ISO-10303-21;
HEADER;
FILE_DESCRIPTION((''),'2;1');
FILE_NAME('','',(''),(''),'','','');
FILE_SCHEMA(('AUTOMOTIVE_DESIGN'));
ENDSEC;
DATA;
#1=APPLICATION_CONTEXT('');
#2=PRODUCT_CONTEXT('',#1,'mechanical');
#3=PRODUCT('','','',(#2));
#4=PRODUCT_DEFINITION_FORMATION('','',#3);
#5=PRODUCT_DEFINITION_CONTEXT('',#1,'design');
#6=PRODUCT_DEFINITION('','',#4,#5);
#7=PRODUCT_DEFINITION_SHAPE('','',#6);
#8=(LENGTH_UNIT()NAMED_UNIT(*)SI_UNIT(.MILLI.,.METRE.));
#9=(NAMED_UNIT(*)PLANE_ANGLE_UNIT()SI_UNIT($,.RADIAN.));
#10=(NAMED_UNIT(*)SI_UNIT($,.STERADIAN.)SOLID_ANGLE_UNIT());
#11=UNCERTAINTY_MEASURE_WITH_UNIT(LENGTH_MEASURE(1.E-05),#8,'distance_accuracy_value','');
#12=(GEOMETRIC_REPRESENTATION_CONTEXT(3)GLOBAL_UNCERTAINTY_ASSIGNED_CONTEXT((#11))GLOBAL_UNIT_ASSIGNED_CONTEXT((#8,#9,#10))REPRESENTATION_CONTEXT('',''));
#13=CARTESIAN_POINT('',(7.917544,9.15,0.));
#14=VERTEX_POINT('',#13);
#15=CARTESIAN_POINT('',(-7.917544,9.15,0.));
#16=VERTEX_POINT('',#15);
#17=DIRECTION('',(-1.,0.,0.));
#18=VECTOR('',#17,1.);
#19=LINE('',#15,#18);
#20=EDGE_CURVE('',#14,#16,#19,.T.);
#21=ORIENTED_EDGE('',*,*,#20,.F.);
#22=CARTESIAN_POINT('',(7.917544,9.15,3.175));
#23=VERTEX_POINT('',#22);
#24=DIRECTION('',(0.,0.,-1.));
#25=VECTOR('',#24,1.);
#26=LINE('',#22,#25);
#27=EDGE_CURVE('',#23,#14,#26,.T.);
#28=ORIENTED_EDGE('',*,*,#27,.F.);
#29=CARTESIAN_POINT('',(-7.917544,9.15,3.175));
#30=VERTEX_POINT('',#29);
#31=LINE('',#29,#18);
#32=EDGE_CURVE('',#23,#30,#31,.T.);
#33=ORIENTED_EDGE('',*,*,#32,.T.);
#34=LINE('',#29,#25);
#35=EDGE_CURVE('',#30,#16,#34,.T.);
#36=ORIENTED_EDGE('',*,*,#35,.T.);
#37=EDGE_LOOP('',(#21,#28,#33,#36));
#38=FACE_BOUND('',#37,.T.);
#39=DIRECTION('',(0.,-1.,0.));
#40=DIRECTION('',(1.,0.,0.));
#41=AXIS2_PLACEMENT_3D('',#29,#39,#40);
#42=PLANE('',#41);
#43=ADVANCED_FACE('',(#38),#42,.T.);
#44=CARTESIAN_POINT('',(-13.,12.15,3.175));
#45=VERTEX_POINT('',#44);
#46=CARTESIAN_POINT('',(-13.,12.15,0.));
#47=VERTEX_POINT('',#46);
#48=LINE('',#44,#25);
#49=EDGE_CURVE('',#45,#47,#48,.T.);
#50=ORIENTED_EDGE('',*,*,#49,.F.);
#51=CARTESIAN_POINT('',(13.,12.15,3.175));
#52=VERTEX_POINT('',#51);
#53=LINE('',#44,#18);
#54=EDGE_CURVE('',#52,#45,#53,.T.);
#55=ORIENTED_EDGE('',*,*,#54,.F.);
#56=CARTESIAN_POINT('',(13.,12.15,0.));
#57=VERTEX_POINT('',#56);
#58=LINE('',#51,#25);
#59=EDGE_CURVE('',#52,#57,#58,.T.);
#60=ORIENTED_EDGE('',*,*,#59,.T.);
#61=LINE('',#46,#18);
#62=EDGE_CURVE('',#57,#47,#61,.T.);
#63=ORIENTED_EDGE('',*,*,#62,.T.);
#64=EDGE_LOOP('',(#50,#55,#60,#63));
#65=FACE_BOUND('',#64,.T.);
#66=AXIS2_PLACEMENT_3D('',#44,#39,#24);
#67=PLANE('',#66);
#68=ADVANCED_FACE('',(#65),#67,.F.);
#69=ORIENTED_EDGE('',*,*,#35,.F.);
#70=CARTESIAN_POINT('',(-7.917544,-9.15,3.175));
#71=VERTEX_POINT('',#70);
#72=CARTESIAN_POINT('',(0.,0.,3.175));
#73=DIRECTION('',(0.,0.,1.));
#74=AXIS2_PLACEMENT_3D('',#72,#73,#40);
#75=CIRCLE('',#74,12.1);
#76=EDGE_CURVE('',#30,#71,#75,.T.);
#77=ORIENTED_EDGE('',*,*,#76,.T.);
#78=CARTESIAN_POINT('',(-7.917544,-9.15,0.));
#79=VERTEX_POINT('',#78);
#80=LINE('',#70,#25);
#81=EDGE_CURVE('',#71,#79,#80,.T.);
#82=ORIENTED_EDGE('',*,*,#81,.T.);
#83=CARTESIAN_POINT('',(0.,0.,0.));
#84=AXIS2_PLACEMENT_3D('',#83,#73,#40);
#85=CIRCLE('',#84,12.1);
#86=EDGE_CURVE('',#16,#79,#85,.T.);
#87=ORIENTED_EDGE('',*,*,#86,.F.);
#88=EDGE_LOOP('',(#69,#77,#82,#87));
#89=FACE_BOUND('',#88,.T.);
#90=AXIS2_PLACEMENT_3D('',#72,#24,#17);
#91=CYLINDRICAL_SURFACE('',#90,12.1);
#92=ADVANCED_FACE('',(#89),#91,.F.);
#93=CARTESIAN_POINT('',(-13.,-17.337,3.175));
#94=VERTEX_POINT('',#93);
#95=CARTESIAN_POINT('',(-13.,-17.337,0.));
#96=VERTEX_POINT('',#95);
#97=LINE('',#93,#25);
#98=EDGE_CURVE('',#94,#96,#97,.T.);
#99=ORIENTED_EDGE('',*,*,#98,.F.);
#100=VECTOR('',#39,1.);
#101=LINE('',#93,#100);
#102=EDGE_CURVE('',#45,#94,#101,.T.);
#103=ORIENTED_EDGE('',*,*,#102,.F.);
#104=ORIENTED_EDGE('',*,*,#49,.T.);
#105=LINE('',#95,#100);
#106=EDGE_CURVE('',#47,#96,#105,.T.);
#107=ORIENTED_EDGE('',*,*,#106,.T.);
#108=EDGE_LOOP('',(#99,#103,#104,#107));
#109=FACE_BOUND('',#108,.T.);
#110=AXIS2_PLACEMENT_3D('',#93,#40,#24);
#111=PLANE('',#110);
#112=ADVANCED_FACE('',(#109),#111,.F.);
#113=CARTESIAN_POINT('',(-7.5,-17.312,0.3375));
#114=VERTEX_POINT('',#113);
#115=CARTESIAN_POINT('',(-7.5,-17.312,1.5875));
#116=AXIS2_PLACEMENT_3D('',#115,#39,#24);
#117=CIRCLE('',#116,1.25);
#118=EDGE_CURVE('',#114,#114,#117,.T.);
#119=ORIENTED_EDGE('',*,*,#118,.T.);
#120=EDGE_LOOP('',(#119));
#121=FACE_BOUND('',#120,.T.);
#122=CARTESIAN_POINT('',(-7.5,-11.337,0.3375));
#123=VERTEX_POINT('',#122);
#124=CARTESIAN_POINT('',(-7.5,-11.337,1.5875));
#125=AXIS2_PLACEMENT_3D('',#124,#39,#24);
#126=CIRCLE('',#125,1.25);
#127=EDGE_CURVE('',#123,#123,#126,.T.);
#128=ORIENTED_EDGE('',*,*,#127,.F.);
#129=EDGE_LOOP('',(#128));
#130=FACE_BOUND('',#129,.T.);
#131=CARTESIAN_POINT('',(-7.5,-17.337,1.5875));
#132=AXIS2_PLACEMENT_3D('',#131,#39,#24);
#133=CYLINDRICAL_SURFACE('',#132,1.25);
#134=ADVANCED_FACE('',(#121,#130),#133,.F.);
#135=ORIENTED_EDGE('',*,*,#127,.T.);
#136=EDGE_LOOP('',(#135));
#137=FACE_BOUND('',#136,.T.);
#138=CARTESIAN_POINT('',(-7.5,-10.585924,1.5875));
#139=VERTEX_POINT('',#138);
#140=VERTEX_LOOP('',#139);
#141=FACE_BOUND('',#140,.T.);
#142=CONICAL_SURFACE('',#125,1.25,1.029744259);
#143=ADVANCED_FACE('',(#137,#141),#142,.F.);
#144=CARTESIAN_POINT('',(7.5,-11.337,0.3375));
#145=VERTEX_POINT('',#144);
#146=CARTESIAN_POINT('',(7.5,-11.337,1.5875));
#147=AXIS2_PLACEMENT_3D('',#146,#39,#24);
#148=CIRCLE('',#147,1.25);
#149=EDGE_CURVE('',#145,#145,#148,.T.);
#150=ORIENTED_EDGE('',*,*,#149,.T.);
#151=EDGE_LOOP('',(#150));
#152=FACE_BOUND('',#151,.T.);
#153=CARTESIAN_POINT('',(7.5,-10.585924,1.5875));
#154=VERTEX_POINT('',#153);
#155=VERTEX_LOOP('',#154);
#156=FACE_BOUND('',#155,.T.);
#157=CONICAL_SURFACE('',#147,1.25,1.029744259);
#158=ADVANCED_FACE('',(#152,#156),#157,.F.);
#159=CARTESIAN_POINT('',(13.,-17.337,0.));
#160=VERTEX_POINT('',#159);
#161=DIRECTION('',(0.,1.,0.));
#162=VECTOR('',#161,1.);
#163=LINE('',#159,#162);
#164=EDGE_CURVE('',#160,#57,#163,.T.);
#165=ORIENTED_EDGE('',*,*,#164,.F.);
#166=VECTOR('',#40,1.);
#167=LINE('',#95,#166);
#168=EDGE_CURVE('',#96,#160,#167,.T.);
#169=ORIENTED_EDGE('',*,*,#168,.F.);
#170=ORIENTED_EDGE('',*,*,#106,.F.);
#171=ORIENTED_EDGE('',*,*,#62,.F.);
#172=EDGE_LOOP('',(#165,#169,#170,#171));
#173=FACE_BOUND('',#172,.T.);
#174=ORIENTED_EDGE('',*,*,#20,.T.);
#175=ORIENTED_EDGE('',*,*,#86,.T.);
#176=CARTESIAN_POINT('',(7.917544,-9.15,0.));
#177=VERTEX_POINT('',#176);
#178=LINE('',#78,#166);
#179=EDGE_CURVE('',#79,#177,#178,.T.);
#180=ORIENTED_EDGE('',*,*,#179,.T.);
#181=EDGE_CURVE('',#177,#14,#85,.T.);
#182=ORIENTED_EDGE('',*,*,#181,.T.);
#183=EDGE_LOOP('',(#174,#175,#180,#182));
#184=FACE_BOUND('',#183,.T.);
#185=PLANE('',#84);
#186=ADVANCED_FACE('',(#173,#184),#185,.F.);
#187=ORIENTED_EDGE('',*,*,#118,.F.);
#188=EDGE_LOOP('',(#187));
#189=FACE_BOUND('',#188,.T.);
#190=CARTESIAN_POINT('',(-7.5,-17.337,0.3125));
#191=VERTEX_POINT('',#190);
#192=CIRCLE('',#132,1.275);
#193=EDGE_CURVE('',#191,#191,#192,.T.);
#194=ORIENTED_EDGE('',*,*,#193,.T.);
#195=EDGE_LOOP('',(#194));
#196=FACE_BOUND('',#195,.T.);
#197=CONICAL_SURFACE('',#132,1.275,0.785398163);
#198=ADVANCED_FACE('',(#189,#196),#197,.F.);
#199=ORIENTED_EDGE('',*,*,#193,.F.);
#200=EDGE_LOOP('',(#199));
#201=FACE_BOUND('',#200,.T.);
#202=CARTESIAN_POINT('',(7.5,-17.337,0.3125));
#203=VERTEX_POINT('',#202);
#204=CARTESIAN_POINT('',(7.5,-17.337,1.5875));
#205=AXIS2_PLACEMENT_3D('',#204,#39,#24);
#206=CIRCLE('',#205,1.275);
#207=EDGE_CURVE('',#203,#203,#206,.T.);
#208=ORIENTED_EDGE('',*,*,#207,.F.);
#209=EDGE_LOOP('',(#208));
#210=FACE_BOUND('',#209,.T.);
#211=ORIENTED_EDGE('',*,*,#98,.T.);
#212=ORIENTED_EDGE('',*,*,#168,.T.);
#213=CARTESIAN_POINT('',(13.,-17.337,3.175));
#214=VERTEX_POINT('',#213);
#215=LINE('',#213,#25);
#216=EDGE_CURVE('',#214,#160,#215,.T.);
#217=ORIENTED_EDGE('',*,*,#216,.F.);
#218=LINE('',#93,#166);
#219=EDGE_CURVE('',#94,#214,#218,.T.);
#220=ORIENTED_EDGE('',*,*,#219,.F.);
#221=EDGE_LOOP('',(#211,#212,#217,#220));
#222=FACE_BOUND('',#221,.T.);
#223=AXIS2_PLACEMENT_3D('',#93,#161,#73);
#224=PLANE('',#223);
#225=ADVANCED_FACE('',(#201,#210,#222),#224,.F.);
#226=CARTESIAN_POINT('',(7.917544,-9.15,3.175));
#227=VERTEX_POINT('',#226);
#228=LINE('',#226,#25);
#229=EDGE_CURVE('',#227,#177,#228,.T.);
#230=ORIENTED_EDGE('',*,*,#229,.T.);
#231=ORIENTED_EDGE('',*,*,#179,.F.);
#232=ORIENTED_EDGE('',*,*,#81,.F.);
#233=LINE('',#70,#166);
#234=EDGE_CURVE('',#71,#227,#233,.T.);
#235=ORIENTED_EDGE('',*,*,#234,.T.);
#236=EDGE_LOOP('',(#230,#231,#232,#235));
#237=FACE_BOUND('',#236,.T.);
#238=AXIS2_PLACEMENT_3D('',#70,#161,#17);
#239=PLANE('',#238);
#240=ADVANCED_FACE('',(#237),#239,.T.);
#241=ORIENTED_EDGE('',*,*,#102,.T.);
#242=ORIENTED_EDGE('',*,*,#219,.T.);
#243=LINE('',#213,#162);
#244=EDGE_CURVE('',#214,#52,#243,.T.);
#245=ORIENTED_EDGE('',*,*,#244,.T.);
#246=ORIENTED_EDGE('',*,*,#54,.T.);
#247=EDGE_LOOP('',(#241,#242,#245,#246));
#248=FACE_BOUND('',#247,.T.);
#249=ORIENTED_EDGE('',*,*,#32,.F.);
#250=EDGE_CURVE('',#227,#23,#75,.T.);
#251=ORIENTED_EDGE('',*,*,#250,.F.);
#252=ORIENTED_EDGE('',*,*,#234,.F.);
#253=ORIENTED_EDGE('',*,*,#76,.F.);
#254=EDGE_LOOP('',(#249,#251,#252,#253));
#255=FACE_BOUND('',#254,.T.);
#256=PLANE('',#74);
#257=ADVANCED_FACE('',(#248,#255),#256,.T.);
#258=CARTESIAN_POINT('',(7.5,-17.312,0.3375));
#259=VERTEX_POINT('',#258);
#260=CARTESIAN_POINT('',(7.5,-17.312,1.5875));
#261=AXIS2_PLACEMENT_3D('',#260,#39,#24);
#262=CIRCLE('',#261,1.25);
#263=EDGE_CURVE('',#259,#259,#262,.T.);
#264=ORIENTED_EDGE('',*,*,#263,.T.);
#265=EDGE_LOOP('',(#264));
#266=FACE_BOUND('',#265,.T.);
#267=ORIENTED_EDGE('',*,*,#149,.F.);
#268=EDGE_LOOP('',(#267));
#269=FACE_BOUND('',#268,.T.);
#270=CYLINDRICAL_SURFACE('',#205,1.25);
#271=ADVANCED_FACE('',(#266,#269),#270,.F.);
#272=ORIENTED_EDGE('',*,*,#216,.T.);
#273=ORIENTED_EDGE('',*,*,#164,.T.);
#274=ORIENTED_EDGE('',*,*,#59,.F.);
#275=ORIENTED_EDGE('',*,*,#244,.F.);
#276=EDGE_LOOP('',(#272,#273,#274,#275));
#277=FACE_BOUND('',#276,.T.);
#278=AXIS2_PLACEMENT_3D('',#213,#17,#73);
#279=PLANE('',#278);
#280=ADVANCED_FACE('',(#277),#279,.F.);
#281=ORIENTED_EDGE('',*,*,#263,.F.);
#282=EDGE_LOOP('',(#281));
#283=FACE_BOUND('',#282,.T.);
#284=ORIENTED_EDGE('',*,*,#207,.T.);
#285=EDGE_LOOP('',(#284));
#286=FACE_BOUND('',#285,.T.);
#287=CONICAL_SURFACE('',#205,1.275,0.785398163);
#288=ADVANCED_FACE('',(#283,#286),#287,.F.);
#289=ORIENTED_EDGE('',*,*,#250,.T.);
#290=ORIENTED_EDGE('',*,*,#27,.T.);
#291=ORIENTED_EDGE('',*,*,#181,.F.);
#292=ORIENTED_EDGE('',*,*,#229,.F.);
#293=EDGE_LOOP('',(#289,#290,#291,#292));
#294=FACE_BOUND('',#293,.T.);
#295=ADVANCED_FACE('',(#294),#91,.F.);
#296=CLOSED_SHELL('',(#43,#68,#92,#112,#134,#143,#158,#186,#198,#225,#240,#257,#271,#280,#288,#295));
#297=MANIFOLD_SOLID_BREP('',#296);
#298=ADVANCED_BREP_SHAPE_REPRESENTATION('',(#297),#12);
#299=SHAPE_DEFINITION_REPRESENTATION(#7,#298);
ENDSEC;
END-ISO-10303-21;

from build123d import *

# Parameters (mm, degrees)
SKETCH2_W                             = 29.487
SKETCH2_H                             = 26
BOSS_EXTRUDE1_DEPTH                   = 3.175
CUT_EXTRUDE1_DEPTH                    = 22.900963312
TAP_DRILL_FOR_M3X0_5_TAP1_D           = 2.5
TAP_DRILL_FOR_M3X0_5_TAP1_DEPTH       = 6
TAP_DRILL_FOR_M3X0_5_TAP1_CSINK_D     = 2.55
TAP_DRILL_FOR_M3X0_5_TAP1_CSINK_ANGLE = 90
TAP_DRILL_FOR_M3X0_5_TAP1_TIP         = 0.751075774


with BuildPart() as part:
    # Sketch2 → Boss-Extrude1 (new body)
    with BuildSketch(Plane(origin=(0, 0, 0), x_dir=(0, 1, 0), z_dir=(0, 0, 1))):
        with Locations((-2.5935, 0)):
            Rectangle(SKETCH2_W, SKETCH2_H)
    extrude(amount=BOSS_EXTRUDE1_DEPTH)

    # Sketch1 → Cut-Extrude1 (cut, through all)
    with BuildSketch(Plane(origin=(0, 0, 0), x_dir=(0, 1, 0), z_dir=(0, 0, 1))):
        with BuildLine():
            Line((-9.15, 7.917543811), (-9.15, -7.917543811))
            ThreePointArc((-9.15, -7.917543811), (0, -12.1), (9.15, -7.917543811))
            Line((9.15, -7.917543811), (9.15, 7.917543811))
            ThreePointArc((9.15, 7.917543811), (0, 12.1), (-9.15, 7.917543811))
        make_face()
    extrude(amount=CUT_EXTRUDE1_DEPTH, mode=Mode.SUBTRACT)

    # Tap Drill for M3x0.5 Tap1
    with Locations(Plane(origin=(0, -17.337, 0), x_dir=(-1, 0, 0), z_dir=(0, -1, 0))):
        with Locations((-7.5, -1.5875), (7.5, -1.5875)):
            CounterSinkHole(TAP_DRILL_FOR_M3X0_5_TAP1_D / 2, TAP_DRILL_FOR_M3X0_5_TAP1_CSINK_D / 2, depth=TAP_DRILL_FOR_M3X0_5_TAP1_DEPTH, counter_sink_angle=TAP_DRILL_FOR_M3X0_5_TAP1_CSINK_ANGLE)
            with Locations((0, 0, -(TAP_DRILL_FOR_M3X0_5_TAP1_DEPTH + TAP_DRILL_FOR_M3X0_5_TAP1_TIP / 2))):  # 118° drill point
                Cone(0, TAP_DRILL_FOR_M3X0_5_TAP1_D / 2, TAP_DRILL_FOR_M3X0_5_TAP1_TIP, mode=Mode.SUBTRACT)


solid = part.part
